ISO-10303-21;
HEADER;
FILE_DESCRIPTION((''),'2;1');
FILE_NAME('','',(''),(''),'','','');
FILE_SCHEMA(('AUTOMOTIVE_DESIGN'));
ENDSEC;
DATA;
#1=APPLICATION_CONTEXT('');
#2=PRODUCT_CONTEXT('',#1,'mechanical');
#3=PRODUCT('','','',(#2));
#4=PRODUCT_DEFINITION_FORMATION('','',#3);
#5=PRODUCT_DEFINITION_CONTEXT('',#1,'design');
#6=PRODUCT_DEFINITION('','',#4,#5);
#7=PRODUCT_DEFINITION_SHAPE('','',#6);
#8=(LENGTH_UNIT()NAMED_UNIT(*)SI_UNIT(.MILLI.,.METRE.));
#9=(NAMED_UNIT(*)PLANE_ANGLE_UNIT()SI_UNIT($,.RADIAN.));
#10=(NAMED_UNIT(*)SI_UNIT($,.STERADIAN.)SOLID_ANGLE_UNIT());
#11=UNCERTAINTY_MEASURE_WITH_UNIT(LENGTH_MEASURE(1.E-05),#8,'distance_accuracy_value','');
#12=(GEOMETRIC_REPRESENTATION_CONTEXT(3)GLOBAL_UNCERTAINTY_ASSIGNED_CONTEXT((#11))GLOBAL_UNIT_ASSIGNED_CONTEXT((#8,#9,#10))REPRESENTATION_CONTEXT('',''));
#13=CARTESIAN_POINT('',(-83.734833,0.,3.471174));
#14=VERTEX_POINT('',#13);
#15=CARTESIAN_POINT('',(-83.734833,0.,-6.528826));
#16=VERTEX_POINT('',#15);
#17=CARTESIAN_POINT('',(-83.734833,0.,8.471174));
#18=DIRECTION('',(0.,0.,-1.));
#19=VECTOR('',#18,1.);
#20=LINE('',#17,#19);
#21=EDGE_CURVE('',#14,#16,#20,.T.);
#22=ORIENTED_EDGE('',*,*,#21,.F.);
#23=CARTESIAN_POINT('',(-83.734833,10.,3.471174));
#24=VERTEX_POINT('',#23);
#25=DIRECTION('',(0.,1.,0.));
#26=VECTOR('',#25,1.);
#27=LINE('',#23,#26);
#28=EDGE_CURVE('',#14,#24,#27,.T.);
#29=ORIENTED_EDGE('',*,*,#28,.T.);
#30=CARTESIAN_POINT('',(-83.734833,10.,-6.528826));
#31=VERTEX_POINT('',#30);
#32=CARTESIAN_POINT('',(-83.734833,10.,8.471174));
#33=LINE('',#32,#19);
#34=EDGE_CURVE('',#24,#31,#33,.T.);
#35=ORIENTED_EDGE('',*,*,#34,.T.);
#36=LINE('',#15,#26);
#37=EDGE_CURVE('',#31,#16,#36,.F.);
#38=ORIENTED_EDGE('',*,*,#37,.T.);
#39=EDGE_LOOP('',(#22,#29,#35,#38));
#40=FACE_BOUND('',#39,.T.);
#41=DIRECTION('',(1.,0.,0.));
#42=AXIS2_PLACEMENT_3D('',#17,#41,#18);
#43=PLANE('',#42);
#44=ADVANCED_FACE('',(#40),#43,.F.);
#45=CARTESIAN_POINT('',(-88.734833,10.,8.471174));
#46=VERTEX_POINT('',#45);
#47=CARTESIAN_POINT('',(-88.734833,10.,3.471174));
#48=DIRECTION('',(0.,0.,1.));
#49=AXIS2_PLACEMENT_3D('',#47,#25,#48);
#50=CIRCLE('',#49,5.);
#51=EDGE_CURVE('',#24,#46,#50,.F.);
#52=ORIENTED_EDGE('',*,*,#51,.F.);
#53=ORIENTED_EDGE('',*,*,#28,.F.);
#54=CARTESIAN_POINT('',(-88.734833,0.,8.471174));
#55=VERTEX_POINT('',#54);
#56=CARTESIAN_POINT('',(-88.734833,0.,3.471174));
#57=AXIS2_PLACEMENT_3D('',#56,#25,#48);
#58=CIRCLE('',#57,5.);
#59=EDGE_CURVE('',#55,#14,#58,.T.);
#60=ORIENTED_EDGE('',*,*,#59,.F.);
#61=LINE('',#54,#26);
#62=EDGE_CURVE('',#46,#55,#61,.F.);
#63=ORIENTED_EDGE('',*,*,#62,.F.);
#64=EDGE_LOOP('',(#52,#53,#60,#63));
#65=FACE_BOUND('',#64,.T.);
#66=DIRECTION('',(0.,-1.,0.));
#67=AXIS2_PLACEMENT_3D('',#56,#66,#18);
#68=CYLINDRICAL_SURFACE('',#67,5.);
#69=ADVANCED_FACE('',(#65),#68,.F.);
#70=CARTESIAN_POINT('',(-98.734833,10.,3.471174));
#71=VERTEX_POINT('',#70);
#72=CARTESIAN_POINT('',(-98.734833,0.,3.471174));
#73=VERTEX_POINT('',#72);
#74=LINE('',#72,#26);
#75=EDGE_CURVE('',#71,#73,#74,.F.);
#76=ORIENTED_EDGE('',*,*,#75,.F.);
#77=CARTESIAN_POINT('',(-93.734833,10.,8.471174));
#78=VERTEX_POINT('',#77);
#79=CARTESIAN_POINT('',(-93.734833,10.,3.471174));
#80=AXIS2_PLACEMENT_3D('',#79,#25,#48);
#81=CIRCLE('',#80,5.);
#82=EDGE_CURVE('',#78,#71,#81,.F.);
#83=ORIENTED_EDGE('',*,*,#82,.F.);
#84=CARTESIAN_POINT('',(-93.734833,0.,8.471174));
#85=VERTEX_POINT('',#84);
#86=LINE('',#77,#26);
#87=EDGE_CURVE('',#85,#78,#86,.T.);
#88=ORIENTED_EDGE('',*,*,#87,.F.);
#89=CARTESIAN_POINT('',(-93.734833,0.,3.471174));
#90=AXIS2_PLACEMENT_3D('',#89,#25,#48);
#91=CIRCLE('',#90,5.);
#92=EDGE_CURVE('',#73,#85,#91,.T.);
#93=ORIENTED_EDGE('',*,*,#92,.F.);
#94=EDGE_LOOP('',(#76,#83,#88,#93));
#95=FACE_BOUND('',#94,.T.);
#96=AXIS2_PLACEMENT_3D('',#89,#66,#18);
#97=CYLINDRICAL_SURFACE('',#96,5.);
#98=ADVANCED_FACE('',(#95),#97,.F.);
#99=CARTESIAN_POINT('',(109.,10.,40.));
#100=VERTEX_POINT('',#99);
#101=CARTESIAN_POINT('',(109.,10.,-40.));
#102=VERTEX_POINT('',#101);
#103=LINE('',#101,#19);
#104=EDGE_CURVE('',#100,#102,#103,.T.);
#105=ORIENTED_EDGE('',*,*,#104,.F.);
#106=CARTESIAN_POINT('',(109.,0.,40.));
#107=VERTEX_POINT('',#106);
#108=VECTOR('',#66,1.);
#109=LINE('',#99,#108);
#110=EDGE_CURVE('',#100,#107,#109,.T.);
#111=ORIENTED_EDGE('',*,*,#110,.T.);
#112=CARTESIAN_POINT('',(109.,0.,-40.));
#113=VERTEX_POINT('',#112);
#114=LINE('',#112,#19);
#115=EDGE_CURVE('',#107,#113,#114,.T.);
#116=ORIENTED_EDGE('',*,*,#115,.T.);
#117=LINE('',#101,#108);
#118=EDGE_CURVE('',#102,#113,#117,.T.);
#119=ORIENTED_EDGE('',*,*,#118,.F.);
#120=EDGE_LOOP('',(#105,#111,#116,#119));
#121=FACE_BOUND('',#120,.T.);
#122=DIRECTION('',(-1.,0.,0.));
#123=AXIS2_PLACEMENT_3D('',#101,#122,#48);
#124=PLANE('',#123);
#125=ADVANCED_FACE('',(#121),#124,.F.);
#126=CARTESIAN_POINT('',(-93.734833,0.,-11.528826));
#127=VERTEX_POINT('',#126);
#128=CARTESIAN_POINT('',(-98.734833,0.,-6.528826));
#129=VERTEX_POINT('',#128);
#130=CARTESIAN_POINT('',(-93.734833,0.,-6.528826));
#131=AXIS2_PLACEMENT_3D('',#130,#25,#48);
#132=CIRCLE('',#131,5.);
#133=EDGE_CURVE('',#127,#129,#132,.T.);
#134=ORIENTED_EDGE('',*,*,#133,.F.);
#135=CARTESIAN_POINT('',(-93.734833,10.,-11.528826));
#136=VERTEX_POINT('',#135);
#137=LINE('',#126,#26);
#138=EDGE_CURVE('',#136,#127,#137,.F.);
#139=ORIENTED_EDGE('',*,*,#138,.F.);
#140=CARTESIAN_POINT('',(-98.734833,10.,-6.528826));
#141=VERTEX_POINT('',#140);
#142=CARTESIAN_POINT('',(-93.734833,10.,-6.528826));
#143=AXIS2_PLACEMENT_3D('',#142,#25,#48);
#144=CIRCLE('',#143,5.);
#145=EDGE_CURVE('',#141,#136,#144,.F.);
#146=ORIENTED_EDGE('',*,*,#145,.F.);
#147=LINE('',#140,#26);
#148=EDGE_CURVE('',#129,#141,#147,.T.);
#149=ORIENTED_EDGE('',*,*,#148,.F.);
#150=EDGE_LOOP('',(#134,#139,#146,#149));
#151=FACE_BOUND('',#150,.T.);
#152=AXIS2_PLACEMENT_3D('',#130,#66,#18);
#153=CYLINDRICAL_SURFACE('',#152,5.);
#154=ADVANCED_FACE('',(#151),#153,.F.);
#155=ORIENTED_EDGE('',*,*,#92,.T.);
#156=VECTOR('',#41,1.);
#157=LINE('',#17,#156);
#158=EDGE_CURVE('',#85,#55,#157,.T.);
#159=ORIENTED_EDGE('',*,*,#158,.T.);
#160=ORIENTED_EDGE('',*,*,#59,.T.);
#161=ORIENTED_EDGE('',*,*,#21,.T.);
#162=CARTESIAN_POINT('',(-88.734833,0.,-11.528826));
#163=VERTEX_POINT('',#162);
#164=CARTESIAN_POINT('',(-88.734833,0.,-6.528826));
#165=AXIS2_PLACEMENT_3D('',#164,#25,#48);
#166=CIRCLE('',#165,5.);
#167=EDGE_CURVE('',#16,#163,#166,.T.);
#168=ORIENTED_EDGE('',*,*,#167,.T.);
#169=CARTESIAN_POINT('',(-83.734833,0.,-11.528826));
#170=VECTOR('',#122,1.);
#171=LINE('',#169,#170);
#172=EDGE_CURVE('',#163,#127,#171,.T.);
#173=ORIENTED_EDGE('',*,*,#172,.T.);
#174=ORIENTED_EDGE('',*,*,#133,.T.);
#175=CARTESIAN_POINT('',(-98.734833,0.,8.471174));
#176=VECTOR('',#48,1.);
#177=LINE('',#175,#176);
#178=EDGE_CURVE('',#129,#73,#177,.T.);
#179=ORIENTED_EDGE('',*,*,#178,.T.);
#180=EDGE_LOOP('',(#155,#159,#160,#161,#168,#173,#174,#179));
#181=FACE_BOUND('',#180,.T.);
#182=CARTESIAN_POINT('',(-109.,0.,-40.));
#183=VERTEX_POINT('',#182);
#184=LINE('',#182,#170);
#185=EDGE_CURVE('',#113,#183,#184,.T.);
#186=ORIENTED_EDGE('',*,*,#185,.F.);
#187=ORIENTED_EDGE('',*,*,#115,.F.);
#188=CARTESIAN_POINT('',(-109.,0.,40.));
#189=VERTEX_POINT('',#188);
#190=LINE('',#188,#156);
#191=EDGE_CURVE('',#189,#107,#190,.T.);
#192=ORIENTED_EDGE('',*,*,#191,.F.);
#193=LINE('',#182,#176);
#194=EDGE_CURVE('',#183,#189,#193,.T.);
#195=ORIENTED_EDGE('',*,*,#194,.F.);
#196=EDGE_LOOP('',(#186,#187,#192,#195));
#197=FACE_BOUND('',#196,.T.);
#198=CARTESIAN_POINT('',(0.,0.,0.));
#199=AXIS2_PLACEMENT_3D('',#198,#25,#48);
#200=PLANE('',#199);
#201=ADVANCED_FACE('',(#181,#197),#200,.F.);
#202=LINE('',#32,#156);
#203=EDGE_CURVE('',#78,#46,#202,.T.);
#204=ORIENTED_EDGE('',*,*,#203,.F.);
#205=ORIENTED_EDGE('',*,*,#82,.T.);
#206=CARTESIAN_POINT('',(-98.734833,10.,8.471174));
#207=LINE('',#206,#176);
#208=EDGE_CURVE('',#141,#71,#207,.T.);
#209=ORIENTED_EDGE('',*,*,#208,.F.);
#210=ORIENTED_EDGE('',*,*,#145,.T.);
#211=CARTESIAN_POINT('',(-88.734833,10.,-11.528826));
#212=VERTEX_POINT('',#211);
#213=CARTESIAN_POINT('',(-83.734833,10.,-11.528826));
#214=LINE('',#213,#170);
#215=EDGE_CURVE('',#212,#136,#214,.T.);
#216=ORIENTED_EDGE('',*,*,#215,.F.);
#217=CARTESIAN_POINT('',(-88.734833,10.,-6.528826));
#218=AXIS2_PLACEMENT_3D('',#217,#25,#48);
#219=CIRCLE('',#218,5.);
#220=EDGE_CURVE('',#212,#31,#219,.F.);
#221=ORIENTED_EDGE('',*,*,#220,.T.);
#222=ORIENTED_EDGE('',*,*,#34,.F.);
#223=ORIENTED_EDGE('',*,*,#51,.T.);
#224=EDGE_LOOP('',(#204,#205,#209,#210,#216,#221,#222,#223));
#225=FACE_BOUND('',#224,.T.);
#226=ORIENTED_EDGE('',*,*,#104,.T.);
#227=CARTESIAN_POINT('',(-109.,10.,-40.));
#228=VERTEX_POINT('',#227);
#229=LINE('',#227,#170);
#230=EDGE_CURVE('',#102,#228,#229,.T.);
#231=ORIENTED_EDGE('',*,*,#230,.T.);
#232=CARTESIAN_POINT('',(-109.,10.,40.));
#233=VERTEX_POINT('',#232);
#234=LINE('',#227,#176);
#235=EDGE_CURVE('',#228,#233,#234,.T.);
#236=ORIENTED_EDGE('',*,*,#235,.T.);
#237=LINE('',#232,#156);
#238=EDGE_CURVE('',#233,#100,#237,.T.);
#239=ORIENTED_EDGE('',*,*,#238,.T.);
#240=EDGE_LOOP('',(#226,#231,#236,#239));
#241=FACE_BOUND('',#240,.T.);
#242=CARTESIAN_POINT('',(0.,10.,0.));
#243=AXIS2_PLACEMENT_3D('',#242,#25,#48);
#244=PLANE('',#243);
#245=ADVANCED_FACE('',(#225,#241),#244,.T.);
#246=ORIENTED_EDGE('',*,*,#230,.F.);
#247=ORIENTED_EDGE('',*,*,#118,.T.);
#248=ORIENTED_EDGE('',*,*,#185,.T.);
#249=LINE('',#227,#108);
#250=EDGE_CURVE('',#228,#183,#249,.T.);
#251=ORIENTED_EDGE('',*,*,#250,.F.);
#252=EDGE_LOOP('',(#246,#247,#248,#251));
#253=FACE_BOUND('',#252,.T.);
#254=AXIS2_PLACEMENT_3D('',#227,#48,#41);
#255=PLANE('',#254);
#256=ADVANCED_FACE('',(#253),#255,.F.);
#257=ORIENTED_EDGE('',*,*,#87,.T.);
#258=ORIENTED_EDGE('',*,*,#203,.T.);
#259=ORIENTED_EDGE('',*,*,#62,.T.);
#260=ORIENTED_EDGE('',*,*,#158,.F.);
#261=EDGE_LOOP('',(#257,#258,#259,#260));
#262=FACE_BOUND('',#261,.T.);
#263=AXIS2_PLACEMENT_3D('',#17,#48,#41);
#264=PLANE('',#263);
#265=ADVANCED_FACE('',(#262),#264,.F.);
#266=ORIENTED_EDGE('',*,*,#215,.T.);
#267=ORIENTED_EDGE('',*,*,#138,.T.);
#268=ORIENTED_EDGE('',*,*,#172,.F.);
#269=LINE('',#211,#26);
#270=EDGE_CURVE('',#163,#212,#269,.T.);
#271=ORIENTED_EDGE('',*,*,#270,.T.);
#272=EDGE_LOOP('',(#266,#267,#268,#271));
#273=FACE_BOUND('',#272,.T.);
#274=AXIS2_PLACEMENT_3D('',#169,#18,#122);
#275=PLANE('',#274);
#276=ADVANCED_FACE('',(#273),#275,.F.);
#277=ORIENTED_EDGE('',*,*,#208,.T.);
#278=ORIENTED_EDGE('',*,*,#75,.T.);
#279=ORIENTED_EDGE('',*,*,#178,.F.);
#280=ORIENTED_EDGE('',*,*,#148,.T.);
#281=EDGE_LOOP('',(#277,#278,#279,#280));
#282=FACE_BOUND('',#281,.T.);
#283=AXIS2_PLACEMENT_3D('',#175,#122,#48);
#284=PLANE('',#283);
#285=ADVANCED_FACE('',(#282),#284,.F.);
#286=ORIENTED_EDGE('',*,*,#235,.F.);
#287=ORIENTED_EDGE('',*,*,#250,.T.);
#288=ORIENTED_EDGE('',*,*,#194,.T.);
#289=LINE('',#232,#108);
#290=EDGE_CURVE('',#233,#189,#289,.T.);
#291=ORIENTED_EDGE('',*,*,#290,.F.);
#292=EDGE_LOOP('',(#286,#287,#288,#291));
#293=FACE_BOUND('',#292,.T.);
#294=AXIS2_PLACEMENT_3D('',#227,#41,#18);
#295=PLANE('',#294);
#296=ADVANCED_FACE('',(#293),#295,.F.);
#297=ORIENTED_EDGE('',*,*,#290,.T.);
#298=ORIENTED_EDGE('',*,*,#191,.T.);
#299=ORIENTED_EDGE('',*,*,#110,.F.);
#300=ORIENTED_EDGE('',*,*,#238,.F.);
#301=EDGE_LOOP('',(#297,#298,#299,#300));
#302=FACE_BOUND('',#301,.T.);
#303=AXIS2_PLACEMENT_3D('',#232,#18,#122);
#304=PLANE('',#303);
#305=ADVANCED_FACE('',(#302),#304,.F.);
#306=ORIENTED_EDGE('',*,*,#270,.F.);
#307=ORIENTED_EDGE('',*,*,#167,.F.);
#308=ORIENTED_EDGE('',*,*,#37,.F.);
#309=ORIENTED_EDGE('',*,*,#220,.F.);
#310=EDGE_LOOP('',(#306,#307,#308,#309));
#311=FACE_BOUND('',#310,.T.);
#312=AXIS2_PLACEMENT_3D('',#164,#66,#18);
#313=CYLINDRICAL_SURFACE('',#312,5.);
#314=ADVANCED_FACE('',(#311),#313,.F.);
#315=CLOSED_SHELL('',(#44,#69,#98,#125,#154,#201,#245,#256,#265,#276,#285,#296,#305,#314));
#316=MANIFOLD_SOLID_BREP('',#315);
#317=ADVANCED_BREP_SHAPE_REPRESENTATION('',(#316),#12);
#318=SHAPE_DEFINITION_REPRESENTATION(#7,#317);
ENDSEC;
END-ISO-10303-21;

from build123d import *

# Parameters (mm, degrees)
SKETCH_1_W          = 218
SKETCH_1_H          = 80
EXTRUDE_1_DEPTH     = 10
SKETCH_2_W          = 15
SKETCH_2_H          = 20
CUT_EXTRUDE_1_DEPTH = 117.537547597
FILLET_1_R          = 5


with BuildPart() as part:
    # 草图1 → 凸台-拉伸1 (new body)
    with BuildSketch(Plane(origin=(0, 0, 0), x_dir=(1, 0, 0), z_dir=(0, 1, 0))):
        Rectangle(SKETCH_1_W, SKETCH_1_H)
    extrude(amount=EXTRUDE_1_DEPTH)

    # 草图2 → 切除-拉伸1 (cut, through all)
    with BuildSketch(Plane(origin=(0, 10, 0), x_dir=(1, 0, 0), z_dir=(0, 1, 0))):
        with Locations((-91.234833292, 1.528825843)):
            Rectangle(SKETCH_2_W, SKETCH_2_H)
    extrude(amount=-CUT_EXTRUDE_1_DEPTH, mode=Mode.SUBTRACT)

    # 圆角1
    fillet_1_edges = [part.edges().sort_by_distance(p)[0] for p in [
        (-98.734833292, 5, 8.471174157),
        (-98.734833292, 5, -11.528825843),
        (-83.734833292, 5, -11.528825843),
        (-83.734833292, 5, 8.471174157),
    ]]
    fillet(fillet_1_edges, radius=FILLET_1_R)


solid = part.part
